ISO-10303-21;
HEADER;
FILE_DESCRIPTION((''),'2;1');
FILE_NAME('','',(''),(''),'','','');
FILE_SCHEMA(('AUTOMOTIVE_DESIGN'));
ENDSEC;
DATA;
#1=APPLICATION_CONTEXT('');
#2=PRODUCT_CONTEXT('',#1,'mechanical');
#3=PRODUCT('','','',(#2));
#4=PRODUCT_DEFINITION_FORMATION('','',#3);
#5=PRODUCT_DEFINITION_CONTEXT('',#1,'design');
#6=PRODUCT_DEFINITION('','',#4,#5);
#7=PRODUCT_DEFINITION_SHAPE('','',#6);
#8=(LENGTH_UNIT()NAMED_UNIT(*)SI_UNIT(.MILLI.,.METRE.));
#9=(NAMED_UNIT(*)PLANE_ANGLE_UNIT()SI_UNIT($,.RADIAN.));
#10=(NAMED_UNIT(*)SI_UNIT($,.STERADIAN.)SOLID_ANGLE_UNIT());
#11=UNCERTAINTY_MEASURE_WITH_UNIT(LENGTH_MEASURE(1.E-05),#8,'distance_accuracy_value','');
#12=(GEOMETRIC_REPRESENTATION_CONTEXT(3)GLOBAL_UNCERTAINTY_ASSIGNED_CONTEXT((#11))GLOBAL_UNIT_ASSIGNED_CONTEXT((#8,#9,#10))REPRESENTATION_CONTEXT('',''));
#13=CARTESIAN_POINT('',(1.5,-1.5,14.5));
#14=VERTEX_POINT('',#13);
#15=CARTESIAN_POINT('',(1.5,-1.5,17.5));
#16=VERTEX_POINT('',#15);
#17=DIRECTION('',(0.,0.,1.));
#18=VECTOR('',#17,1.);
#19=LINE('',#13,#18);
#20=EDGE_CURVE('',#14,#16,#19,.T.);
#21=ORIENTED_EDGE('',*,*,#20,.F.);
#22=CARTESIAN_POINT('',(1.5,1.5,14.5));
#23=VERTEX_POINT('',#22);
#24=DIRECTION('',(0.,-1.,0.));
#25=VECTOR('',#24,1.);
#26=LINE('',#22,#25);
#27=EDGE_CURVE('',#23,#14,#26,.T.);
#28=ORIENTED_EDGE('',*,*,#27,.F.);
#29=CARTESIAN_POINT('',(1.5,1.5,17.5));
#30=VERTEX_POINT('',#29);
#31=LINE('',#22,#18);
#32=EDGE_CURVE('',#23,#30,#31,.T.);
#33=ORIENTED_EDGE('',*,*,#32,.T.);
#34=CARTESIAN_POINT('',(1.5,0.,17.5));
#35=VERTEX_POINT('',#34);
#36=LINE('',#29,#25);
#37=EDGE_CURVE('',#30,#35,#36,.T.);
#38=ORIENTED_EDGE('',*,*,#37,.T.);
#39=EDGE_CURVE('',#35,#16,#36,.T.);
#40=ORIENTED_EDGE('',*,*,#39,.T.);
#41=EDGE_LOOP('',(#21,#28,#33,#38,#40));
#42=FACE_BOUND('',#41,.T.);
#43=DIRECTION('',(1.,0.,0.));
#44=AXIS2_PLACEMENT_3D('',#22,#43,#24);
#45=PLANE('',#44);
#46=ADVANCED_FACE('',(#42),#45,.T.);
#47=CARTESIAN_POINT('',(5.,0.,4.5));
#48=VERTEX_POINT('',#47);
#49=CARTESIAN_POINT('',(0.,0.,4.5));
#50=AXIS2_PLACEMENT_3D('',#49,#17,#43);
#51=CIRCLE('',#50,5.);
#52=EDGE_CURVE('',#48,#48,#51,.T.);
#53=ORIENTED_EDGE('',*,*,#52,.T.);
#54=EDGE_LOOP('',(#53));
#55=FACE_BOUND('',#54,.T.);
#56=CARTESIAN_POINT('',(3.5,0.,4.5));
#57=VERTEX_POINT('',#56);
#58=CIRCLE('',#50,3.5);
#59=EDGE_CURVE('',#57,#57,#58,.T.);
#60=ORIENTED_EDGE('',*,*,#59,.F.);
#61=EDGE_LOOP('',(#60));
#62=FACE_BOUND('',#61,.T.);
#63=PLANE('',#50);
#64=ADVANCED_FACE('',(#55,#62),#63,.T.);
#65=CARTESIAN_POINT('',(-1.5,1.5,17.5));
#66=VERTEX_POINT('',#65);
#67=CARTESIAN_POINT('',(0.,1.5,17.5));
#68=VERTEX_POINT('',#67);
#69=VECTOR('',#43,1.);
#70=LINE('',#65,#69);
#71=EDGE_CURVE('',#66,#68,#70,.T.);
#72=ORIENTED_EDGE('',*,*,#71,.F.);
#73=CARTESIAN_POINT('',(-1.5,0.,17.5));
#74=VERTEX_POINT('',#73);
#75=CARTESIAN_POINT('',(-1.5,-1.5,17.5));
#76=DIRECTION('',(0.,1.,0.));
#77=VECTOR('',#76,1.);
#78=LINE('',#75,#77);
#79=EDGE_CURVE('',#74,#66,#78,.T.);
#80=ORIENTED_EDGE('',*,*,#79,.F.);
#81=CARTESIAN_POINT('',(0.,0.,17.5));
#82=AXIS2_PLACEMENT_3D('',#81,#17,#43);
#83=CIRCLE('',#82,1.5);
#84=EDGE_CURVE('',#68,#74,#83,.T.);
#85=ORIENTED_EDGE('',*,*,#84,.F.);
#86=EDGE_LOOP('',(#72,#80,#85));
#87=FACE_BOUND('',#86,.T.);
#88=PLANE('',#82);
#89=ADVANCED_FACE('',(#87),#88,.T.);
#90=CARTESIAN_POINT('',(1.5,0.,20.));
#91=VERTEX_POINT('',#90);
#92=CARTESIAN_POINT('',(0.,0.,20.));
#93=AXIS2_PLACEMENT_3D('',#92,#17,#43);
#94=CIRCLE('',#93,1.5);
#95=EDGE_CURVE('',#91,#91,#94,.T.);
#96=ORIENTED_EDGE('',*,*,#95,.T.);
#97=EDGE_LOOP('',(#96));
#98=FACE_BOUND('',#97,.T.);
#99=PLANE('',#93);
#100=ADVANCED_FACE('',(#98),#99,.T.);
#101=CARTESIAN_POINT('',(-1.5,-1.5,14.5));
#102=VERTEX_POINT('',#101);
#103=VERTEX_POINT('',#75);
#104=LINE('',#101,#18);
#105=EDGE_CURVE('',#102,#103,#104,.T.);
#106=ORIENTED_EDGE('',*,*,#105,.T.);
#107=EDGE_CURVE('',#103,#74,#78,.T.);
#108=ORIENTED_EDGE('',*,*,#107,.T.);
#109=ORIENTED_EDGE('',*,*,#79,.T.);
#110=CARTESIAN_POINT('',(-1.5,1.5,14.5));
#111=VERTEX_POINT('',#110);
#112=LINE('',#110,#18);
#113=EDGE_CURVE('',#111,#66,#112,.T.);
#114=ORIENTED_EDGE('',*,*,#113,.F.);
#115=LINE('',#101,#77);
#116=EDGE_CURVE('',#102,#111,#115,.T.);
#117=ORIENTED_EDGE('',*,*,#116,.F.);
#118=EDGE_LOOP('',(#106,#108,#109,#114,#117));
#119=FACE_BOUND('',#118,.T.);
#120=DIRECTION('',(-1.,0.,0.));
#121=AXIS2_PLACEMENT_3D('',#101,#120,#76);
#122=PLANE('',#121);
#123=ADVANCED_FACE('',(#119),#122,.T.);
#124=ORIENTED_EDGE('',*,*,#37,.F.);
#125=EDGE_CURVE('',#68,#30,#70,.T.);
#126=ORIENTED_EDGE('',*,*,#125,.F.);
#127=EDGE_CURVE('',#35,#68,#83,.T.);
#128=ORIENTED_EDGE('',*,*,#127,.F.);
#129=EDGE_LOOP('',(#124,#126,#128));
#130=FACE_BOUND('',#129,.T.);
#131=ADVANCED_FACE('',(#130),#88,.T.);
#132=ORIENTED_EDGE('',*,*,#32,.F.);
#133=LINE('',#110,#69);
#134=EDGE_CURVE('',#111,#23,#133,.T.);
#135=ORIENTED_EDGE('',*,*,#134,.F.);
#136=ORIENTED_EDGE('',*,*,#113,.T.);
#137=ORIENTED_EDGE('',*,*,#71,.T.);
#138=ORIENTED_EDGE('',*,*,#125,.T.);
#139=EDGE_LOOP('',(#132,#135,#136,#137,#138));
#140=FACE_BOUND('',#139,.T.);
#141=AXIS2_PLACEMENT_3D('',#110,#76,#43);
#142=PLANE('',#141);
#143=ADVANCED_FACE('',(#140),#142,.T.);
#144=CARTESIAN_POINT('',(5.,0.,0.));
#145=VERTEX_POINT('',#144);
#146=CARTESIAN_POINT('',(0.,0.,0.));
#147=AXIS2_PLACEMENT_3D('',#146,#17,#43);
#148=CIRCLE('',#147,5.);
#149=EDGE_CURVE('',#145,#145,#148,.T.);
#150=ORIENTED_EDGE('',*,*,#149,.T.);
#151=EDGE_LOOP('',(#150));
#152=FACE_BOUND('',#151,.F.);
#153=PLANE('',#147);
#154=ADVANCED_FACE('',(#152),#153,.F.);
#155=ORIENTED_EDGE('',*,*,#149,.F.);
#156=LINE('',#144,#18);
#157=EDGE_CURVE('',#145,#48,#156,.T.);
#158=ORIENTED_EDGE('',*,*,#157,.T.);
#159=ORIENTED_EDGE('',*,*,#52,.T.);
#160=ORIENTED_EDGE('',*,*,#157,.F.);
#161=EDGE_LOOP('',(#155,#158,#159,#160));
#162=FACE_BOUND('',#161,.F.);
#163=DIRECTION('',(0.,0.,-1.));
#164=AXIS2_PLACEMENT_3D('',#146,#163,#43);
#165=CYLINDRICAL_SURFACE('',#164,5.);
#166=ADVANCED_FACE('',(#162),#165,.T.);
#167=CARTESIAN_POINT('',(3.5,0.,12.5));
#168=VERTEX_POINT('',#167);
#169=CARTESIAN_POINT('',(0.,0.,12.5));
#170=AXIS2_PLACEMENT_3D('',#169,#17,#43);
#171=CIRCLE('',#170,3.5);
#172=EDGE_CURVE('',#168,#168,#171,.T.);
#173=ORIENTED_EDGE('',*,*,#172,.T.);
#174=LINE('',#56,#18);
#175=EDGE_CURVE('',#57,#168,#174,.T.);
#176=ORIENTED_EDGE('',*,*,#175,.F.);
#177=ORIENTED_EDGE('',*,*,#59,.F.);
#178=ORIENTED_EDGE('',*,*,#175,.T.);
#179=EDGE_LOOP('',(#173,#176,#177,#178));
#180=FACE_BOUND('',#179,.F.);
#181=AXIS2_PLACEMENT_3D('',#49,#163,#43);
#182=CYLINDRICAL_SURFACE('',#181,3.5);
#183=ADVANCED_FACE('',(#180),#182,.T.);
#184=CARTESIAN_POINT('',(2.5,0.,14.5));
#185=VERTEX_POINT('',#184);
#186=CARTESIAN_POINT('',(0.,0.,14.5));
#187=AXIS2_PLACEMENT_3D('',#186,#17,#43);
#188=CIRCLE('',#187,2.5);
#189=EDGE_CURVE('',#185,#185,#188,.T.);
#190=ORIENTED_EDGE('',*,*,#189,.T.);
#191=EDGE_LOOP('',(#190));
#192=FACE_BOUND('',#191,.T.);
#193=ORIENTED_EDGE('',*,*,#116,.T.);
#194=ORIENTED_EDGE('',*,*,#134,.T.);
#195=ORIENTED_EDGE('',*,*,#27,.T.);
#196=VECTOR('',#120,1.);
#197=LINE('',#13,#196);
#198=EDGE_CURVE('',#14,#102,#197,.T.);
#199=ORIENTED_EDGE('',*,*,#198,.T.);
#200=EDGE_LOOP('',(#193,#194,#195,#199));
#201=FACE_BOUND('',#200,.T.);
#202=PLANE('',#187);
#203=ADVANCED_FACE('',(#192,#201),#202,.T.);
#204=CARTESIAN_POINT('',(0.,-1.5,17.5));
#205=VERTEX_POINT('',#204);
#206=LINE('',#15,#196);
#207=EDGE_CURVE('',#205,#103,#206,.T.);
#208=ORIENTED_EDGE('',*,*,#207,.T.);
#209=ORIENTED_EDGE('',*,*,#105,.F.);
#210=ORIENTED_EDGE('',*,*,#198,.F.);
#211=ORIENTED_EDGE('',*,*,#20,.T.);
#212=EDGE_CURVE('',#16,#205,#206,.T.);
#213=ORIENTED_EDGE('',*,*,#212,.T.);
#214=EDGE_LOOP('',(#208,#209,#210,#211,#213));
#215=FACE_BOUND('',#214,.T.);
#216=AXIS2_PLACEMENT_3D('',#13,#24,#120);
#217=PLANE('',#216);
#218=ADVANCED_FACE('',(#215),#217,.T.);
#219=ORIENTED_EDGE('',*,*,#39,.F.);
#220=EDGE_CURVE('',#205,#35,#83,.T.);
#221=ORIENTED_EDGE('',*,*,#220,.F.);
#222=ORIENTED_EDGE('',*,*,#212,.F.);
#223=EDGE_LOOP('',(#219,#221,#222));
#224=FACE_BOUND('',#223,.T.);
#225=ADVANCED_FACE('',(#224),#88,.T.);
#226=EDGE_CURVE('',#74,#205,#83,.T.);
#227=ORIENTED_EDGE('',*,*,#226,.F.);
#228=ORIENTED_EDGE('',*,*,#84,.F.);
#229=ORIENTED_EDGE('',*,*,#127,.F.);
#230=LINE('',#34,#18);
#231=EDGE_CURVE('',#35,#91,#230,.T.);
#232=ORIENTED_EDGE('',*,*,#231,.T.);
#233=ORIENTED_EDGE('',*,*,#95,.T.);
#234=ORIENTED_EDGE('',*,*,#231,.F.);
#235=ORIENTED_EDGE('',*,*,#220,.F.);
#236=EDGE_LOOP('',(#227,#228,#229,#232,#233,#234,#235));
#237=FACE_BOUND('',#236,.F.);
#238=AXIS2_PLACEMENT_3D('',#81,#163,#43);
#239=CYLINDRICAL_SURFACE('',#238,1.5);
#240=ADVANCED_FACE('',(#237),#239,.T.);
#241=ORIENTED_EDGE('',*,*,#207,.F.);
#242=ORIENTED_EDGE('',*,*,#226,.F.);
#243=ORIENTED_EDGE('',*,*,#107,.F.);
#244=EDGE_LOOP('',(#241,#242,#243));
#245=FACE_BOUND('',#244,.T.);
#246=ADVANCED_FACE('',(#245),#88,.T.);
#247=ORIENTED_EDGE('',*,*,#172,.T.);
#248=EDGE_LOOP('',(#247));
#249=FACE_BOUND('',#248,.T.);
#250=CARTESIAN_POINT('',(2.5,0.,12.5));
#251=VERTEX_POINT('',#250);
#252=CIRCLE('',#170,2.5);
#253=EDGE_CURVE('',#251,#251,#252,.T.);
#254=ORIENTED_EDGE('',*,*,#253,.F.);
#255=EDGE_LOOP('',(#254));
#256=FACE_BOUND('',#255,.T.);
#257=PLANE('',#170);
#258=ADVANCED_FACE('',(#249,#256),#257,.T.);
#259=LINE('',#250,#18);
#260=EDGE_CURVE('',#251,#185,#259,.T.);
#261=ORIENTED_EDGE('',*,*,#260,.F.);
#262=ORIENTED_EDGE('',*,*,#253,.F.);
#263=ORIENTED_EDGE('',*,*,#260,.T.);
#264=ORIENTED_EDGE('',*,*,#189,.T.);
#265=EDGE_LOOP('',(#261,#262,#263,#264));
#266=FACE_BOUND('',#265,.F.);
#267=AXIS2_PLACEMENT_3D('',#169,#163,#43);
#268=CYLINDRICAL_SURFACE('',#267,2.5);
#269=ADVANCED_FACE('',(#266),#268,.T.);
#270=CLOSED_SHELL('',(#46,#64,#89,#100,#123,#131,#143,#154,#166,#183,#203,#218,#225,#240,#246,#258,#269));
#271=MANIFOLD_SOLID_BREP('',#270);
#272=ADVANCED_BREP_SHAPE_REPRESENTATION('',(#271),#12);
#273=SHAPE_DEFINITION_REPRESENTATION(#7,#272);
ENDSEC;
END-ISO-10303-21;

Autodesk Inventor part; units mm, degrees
ref_plane "YZ Plane" through (0, 0, 0) normal (1, 0, 0) x (0, 1, 0)
ref_plane "XZ Plane" through (0, 0, 0) normal (0, 1, 0) x (-1, 0, 0)
ref_plane "XY Plane" through (0, 0, 0) normal (0, 0, 1) x (1, 0, 0)
sketch "Sketch1" plane through (0, 0, 0) normal (0, 0, 1) x (1, 0, 0)
  circle A0 centre (0, 0) radius 5
  dimension "d0" = 10
extrude "Extrusion1" add sketch "Sketch1" along normal blind 4.5
sketch "Sketch2" plane through (0, 0, 4.5) normal (0, 0, 1) x (1, 0, 0)
  circle A0 centre (0, 0) radius 5 projected
  circle A1 centre (0, 0) radius 3.5
  dimension "d3" = 7
extrude "Extrusion2" add sketch "Sketch2" along normal blind 8 contours A1
sketch "Sketch3" plane through (0, 0, 12.5) normal (0, 0, 1) x (1, 0, 0)
  circle A0 centre (0, 0) radius 5 projected
  circle A1 centre (0, 0) radius 2.5
  dimension "d6" = 5
extrude "Extrusion3" add sketch "Sketch3" along normal blind 2 contours A1
sketch "Sketch4" plane through (0, 0, 14.5) normal (0, 0, 1) x (1, 0, 0)
  circle A0 centre (0, 0) radius 2.5 projected
  line L0 (-1.5, 1.5) -> (1.5, 1.5)
  line L1 (1.5, 1.5) -> (1.5, -1.5)
  line L2 (1.5, -1.5) -> (-1.5, -1.5)
  line L3 (-1.5, -1.5) -> (-1.5, 1.5)
  line L4 (-1.5, 1.5) -> (1.5, -1.5) construction
  line L5 (1.5, 1.5) -> (-1.5, -1.5) construction
  dimension "d9" = 3
  dimension "d10" = 3
extrude "Extrusion4" add sketch "Sketch4" along normal blind 3 contours L0 L1 L2 L3
sketch "Sketch5" plane through (0, 0, 17.5) normal (0, 0, 1) x (1, 0, 0)
  circle A0 centre (0, 0) radius 1.5
  dimension "d13" = 3
extrude "Extrusion5" add sketch "Sketch5" along normal blind 2.5
thread "Thread1" size "M3x0.5" class "6g" standard "ANSI Metric M Profile" length 3
properties part number "24 - Valve Disc Spindle" material "Bronze, Soft Tin"
